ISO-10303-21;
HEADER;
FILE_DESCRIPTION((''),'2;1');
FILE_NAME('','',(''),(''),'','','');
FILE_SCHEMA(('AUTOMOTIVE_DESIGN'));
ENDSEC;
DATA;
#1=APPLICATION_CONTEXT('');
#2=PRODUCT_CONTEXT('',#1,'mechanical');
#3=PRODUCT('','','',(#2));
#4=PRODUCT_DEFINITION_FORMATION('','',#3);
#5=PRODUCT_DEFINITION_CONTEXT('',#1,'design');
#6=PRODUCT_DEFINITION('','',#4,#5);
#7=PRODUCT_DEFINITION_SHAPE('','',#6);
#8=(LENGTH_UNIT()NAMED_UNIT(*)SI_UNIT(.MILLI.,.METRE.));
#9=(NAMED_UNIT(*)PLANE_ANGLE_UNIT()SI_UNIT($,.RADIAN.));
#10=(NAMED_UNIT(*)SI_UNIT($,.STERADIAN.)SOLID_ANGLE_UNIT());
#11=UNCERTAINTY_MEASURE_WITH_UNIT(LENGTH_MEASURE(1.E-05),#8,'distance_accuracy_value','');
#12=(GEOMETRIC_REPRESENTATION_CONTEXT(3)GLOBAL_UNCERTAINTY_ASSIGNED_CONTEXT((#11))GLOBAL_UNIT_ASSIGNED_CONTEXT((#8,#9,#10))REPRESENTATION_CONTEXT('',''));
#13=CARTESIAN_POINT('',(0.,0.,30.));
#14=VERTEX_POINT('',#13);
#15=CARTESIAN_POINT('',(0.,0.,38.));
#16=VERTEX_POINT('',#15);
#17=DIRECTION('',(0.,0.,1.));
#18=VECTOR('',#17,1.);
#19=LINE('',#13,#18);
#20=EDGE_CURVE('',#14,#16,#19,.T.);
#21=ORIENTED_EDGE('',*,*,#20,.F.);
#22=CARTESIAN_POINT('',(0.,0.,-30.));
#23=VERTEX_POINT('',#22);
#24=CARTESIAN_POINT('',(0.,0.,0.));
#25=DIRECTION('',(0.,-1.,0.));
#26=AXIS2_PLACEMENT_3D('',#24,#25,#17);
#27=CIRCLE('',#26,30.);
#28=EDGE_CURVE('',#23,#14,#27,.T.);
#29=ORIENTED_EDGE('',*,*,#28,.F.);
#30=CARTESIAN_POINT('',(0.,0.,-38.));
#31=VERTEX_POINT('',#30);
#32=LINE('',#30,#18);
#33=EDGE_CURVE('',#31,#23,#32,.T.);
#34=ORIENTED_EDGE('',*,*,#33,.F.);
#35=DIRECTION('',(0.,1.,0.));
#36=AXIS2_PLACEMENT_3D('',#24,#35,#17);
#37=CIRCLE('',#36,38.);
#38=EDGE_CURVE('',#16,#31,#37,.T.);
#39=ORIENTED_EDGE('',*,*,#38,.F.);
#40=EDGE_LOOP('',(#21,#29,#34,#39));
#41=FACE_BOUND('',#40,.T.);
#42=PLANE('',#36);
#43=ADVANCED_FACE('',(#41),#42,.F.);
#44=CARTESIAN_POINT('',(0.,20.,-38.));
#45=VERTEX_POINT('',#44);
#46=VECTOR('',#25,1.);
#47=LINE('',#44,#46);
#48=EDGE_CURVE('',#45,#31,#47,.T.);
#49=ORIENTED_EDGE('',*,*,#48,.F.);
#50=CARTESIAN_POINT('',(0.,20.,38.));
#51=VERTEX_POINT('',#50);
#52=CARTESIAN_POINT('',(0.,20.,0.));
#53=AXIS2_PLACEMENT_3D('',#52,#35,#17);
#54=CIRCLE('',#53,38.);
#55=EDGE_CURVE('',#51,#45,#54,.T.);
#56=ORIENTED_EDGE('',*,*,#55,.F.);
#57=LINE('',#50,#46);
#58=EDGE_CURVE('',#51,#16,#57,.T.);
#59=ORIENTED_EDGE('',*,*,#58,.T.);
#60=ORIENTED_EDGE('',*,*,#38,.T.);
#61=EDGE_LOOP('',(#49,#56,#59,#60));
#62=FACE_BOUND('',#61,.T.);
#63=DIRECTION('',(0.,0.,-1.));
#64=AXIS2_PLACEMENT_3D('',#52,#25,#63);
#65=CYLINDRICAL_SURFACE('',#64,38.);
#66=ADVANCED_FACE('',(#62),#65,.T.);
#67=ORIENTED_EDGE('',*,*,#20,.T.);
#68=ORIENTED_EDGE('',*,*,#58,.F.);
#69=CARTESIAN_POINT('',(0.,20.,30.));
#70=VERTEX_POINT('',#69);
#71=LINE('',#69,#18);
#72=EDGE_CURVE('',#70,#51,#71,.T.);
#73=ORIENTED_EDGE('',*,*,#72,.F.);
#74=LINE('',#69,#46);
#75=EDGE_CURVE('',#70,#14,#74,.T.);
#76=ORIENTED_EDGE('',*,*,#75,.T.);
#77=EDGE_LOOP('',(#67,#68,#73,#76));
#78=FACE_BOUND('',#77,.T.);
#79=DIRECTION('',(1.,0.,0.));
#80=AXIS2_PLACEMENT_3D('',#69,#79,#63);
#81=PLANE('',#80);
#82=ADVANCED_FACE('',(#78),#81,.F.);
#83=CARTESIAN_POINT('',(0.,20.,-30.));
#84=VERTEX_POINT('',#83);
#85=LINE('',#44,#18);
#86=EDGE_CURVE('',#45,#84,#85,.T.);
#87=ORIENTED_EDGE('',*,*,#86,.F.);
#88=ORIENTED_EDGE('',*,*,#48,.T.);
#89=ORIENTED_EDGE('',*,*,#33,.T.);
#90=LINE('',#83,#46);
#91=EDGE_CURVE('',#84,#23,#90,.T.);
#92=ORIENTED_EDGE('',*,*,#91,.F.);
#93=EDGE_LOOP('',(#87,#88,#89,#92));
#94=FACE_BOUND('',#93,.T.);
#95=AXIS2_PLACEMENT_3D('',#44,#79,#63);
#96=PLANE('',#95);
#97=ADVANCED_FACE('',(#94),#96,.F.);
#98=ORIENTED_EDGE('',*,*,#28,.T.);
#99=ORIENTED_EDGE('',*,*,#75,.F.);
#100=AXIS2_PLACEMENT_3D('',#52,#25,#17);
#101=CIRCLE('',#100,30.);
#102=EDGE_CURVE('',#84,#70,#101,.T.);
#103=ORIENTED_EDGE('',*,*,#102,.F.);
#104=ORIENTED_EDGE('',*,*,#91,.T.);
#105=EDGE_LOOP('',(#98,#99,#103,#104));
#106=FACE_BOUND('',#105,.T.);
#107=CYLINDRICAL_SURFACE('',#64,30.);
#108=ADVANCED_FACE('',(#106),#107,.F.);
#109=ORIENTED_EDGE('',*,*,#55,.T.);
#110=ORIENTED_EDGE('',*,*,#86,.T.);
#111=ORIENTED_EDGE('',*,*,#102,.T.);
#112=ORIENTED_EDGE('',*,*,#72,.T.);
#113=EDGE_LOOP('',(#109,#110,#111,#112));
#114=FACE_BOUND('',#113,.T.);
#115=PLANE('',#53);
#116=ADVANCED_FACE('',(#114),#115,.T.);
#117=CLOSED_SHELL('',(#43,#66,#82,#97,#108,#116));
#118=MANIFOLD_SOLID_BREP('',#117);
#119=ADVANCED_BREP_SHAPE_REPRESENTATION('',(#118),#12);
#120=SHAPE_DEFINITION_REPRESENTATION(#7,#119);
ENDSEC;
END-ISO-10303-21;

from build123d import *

# Parameters (mm, degrees)
EXTRUDE_1_DEPTH = 20


with BuildPart() as part:
    # 草图1 → 凸台-拉伸1 (new body)
    with BuildSketch(Plane(origin=(0, 0, 0), x_dir=(1, 0, 0), z_dir=(0, 1, 0))):
        with BuildLine():
            Line((0, 38), (0, 30))
            ThreePointArc((0, 30), (30, 0), (0, -30))
            Line((0, -30), (0, -38))
            ThreePointArc((0, -38), (38, 0), (0, 38))
        make_face()
    extrude(amount=EXTRUDE_1_DEPTH)


solid = part.part
